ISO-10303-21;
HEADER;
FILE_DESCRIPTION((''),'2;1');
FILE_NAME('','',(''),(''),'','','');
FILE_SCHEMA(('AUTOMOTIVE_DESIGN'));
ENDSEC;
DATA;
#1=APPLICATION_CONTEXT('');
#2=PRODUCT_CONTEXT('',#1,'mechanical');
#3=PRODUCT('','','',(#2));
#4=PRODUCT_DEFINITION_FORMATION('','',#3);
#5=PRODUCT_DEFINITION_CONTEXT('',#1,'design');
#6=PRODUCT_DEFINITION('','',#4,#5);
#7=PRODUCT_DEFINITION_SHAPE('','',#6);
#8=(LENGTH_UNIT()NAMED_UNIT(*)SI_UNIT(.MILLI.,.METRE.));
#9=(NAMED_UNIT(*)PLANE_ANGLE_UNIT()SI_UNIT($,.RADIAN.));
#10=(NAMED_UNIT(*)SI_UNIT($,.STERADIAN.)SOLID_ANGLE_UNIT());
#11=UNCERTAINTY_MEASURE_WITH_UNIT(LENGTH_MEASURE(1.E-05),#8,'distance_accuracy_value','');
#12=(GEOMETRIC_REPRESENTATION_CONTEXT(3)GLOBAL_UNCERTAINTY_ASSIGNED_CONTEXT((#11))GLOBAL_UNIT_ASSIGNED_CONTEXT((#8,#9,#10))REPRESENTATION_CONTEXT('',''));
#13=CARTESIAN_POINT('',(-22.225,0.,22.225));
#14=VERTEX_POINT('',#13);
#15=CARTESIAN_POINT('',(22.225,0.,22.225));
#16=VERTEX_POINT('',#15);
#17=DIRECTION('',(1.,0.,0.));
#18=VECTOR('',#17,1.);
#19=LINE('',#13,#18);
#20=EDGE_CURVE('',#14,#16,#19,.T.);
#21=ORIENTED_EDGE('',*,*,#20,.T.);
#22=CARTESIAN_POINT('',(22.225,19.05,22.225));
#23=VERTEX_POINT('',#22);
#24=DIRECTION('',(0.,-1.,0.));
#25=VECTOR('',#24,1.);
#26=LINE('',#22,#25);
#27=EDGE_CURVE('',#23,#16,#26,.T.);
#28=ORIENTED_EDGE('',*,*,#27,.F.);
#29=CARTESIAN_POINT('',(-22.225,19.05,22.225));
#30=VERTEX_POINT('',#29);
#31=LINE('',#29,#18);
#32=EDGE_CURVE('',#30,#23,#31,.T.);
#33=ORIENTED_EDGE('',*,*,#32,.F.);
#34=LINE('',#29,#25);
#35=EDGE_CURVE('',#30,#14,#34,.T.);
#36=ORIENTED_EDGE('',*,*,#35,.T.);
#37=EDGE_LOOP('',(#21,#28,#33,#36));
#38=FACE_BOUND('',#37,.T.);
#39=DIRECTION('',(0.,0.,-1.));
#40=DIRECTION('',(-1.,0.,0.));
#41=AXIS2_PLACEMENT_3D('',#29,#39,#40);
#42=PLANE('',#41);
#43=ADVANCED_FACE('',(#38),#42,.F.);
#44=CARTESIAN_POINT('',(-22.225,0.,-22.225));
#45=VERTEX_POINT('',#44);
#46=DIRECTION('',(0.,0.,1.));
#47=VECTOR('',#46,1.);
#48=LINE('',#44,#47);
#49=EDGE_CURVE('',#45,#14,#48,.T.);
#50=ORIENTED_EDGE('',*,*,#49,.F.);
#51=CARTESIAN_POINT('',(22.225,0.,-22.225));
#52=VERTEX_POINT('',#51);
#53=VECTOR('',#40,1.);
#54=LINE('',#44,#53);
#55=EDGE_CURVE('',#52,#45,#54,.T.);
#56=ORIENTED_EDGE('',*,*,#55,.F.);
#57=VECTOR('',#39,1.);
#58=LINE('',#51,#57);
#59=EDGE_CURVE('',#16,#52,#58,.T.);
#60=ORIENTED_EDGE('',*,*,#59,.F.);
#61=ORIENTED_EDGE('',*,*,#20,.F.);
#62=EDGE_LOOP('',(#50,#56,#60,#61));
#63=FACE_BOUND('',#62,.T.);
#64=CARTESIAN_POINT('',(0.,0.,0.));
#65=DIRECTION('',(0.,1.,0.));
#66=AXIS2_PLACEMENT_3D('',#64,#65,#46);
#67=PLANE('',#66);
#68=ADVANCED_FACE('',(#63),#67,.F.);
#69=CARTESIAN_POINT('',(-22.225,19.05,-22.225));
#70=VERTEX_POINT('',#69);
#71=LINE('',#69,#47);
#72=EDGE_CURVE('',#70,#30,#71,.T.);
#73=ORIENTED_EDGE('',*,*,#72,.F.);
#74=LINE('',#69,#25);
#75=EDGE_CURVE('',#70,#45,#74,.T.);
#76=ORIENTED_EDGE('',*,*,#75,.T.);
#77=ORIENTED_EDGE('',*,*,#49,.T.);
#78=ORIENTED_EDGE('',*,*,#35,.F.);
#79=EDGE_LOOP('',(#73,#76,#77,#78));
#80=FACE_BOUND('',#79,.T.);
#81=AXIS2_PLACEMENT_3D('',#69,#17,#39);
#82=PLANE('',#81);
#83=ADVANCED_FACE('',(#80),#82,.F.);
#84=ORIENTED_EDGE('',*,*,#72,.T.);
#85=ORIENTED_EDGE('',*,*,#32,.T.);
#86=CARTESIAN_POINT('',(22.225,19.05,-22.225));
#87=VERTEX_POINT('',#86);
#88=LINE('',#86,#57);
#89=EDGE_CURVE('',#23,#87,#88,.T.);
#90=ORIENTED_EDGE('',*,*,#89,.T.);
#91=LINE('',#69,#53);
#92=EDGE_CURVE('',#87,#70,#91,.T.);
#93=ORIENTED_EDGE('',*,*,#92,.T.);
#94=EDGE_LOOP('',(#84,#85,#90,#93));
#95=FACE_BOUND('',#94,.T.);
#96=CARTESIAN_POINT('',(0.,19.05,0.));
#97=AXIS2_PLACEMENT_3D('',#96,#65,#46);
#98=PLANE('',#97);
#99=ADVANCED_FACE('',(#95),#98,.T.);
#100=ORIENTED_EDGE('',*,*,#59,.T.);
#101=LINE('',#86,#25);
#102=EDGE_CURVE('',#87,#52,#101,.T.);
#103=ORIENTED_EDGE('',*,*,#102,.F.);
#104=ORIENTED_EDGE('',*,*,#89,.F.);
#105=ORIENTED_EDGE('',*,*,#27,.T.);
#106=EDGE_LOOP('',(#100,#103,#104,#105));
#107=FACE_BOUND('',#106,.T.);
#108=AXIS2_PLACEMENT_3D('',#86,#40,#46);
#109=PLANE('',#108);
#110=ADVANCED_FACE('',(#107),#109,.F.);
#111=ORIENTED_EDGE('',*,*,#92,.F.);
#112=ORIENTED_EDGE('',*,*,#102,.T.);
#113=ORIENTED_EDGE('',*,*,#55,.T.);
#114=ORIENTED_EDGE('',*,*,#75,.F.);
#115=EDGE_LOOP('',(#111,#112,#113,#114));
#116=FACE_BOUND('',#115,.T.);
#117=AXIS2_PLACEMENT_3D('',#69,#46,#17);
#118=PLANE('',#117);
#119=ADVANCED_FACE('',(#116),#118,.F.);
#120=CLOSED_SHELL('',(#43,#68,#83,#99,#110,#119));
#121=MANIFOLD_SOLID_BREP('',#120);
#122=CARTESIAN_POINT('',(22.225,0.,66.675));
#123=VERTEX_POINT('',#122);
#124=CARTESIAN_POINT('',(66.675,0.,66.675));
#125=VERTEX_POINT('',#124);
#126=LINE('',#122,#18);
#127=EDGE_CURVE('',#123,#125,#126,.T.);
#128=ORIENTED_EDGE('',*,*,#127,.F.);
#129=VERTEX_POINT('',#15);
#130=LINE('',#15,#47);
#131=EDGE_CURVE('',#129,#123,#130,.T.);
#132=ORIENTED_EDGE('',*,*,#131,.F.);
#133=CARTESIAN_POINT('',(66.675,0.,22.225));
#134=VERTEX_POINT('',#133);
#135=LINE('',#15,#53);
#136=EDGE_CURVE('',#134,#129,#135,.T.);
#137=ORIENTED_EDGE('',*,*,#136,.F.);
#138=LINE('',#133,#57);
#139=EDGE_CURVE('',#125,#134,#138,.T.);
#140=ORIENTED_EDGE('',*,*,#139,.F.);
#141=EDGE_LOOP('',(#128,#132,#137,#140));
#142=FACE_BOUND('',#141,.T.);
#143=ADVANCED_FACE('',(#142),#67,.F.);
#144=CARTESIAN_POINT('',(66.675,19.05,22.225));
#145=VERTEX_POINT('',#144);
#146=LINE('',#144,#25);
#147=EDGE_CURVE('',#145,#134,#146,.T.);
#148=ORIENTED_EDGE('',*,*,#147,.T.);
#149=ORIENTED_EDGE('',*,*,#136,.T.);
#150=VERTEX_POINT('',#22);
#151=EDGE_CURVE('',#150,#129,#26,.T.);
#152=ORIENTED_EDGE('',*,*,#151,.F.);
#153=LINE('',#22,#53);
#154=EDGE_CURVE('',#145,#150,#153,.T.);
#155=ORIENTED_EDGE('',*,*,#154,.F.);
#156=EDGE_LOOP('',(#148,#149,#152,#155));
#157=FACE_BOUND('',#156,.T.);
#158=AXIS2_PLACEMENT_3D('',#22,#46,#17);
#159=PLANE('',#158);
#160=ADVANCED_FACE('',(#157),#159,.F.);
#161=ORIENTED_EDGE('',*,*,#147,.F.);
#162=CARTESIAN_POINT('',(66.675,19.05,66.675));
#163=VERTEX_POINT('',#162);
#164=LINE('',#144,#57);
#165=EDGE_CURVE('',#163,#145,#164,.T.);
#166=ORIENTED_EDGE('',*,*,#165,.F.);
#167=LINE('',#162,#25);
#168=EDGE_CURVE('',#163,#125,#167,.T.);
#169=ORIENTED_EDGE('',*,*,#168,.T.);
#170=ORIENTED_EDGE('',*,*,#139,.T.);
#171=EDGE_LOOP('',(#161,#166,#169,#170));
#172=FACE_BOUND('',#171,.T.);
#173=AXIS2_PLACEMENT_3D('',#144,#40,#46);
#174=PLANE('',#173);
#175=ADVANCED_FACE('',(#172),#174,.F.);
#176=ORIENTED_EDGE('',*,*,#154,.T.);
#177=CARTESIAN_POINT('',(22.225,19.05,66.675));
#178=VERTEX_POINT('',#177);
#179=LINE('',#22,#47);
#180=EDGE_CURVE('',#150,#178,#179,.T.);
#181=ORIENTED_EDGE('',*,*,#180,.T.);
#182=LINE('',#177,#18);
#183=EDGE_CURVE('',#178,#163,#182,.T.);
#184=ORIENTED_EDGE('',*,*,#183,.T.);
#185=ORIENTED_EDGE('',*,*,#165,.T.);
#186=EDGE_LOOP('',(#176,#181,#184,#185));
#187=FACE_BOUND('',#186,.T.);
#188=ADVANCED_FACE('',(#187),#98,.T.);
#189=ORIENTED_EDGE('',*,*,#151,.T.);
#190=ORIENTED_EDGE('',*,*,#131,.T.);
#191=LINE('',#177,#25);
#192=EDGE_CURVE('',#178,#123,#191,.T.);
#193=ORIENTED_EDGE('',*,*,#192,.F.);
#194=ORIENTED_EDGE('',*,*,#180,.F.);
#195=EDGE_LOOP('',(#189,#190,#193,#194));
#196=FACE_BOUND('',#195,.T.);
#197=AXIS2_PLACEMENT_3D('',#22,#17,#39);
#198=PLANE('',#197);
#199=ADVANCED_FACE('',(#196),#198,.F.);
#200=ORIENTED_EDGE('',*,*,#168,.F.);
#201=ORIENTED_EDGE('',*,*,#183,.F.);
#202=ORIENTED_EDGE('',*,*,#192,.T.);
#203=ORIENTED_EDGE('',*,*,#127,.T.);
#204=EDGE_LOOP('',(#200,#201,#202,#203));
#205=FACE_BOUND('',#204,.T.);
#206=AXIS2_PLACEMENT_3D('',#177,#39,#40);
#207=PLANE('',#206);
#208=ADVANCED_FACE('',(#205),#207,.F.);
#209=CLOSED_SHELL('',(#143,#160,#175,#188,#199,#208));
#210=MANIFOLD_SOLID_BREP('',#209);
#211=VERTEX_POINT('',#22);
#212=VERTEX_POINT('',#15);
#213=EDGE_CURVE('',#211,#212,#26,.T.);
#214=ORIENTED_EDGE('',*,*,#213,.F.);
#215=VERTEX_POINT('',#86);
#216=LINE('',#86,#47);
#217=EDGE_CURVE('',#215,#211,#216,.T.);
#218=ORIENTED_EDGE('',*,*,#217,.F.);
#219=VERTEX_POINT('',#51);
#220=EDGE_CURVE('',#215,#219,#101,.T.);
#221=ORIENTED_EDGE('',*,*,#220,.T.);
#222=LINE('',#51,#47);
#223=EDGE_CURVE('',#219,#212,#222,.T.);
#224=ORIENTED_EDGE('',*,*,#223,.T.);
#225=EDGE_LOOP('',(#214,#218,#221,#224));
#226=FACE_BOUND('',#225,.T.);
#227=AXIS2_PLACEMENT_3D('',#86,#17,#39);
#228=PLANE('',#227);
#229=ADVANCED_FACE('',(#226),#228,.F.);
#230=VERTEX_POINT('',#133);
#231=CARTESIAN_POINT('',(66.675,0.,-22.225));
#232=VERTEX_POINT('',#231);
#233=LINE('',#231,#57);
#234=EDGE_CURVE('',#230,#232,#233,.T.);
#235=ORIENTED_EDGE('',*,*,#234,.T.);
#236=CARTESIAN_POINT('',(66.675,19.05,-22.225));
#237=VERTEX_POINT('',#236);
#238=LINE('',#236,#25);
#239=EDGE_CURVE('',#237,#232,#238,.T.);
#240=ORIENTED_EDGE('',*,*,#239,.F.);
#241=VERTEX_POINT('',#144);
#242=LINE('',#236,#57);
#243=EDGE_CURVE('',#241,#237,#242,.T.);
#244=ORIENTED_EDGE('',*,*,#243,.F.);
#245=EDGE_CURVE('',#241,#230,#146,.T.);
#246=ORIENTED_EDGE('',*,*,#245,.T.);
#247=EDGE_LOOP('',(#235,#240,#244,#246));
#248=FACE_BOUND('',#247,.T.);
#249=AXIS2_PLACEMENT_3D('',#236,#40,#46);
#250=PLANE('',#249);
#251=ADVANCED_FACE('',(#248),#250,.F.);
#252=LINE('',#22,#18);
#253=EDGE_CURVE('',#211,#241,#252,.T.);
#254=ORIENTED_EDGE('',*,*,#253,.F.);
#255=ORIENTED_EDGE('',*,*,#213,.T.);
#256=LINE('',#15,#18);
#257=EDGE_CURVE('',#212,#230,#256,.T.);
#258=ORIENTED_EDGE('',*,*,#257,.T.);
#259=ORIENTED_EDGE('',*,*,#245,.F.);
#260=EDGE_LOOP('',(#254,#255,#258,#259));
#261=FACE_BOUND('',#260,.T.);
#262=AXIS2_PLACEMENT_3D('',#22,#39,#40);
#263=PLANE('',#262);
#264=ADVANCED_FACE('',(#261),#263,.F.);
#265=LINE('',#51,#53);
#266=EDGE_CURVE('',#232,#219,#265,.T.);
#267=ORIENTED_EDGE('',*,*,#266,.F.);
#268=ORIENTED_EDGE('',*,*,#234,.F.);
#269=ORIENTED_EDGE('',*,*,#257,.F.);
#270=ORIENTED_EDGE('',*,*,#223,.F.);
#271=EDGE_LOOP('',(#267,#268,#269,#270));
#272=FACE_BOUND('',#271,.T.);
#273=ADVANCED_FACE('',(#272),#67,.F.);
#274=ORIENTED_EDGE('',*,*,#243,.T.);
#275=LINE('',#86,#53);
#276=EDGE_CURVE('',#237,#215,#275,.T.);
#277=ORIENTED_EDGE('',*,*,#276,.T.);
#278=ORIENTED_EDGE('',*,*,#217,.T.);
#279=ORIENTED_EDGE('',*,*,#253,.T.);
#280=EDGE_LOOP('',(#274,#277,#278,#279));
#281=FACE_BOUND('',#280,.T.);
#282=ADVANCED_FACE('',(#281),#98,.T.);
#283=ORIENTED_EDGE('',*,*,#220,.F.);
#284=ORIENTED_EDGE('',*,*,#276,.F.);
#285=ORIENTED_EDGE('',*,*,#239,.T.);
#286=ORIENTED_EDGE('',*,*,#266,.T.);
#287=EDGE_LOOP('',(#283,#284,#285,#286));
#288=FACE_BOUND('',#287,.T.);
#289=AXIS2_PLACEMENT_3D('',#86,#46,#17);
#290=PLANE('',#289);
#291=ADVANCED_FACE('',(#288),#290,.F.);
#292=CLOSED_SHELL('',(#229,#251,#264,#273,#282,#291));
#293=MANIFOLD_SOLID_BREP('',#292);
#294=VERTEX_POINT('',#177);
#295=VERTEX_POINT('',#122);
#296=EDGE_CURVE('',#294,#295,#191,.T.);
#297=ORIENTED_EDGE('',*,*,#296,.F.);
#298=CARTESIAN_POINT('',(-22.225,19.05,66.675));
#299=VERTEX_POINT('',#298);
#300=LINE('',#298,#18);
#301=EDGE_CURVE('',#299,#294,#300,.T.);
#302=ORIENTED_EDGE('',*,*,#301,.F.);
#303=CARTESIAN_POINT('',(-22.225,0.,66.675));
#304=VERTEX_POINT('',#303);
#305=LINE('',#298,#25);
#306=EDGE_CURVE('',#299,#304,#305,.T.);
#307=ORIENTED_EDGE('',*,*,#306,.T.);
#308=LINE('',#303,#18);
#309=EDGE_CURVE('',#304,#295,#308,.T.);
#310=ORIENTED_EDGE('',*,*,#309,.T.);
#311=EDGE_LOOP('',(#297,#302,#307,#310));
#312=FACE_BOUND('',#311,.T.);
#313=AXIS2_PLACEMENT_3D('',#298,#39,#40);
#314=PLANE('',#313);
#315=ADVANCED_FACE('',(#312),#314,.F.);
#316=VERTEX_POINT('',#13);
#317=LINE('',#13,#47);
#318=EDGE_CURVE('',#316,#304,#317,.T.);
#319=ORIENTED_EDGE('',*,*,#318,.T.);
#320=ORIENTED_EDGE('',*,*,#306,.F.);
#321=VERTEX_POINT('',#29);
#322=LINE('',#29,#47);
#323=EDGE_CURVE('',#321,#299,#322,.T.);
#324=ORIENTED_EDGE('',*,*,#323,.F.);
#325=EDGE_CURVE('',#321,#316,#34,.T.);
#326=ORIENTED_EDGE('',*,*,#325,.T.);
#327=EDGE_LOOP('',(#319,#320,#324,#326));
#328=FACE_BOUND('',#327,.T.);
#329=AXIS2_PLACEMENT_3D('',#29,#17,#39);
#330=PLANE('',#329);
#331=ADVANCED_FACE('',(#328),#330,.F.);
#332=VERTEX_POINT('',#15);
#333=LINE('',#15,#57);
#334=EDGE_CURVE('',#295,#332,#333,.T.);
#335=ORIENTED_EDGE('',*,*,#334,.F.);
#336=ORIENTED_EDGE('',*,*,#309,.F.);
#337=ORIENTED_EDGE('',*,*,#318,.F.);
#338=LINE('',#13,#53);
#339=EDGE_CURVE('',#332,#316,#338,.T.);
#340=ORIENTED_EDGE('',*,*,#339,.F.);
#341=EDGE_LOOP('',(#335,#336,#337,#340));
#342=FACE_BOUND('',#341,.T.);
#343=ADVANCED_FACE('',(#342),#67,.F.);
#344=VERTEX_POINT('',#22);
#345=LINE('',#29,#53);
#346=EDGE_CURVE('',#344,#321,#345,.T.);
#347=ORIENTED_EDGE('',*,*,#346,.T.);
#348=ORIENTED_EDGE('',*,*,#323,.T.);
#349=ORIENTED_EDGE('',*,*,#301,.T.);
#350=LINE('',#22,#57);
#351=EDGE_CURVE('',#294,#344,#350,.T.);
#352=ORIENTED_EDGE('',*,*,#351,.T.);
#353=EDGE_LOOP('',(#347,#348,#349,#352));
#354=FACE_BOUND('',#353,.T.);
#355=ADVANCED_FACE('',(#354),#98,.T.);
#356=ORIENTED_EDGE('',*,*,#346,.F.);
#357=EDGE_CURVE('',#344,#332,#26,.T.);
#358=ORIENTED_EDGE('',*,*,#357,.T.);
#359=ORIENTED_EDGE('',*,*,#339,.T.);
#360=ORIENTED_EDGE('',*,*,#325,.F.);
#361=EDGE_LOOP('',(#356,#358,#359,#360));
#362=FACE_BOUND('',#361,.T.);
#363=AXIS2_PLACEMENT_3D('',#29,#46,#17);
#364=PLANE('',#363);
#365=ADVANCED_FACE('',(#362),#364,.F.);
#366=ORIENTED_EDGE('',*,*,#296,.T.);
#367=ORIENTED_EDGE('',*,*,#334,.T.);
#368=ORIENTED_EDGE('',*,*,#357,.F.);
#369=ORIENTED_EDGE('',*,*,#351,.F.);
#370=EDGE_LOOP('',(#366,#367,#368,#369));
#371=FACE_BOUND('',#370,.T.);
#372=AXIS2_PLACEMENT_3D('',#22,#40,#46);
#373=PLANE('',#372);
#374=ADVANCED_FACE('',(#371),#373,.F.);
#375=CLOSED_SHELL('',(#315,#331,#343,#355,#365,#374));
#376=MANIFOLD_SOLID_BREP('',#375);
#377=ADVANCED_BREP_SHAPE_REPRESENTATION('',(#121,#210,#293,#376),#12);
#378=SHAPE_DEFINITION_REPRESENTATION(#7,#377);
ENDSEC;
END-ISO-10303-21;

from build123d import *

# Parameters (mm, degrees)
SKETCH1_W           = 44.45
SKETCH1_H           = 44.45
BOSS_EXTRUDE1_DEPTH = 19.05
SKETCH3_W           = 44.45
SKETCH3_H           = 44.45
BOSS_EXTRUDE2_DEPTH = 19.05
SKETCH4_W           = 44.45
SKETCH4_H           = 44.45
BOSS_EXTRUDE3_DEPTH = 19.05
SKETCH5_W           = 44.45
SKETCH5_H           = 44.45
BOSS_EXTRUDE4_DEPTH = 19.05


with BuildPart() as part:
    # Sketch1 → Boss-Extrude1 (new body)
    with BuildSketch(Plane(origin=(0, 0, 0), x_dir=(1, 0, 0), z_dir=(0, 1, 0))):
        Rectangle(SKETCH1_W, SKETCH1_H)
    extrude(amount=BOSS_EXTRUDE1_DEPTH)


with BuildPart() as body_2:
    # Sketch3 → Boss-Extrude2 (new body)
    with BuildSketch(Plane(origin=(0, 0, 0), x_dir=(1, 0, 0), z_dir=(0, 1, 0))):
        with Locations((44.45, 0)):
            Rectangle(SKETCH3_W, SKETCH3_H)
    extrude(amount=BOSS_EXTRUDE2_DEPTH)


with BuildPart() as body_3:
    # Sketch4 → Boss-Extrude3 (new body)
    with BuildSketch(Plane(origin=(0, 0, 0), x_dir=(1, 0, 0), z_dir=(0, 1, 0))):
        with Locations((0, -44.45)):
            Rectangle(SKETCH4_W, SKETCH4_H)
    extrude(amount=BOSS_EXTRUDE3_DEPTH)


with BuildPart() as body_4:
    # Sketch5 → Boss-Extrude4 (new body)
    with BuildSketch(Plane(origin=(0, 0, 0), x_dir=(1, 0, 0), z_dir=(0, 1, 0))):
        with Locations((44.45, -44.45)):
            Rectangle(SKETCH5_W, SKETCH5_H)
    extrude(amount=BOSS_EXTRUDE4_DEPTH)


solid = Compound([part.part, body_2.part, body_3.part, body_4.part])
